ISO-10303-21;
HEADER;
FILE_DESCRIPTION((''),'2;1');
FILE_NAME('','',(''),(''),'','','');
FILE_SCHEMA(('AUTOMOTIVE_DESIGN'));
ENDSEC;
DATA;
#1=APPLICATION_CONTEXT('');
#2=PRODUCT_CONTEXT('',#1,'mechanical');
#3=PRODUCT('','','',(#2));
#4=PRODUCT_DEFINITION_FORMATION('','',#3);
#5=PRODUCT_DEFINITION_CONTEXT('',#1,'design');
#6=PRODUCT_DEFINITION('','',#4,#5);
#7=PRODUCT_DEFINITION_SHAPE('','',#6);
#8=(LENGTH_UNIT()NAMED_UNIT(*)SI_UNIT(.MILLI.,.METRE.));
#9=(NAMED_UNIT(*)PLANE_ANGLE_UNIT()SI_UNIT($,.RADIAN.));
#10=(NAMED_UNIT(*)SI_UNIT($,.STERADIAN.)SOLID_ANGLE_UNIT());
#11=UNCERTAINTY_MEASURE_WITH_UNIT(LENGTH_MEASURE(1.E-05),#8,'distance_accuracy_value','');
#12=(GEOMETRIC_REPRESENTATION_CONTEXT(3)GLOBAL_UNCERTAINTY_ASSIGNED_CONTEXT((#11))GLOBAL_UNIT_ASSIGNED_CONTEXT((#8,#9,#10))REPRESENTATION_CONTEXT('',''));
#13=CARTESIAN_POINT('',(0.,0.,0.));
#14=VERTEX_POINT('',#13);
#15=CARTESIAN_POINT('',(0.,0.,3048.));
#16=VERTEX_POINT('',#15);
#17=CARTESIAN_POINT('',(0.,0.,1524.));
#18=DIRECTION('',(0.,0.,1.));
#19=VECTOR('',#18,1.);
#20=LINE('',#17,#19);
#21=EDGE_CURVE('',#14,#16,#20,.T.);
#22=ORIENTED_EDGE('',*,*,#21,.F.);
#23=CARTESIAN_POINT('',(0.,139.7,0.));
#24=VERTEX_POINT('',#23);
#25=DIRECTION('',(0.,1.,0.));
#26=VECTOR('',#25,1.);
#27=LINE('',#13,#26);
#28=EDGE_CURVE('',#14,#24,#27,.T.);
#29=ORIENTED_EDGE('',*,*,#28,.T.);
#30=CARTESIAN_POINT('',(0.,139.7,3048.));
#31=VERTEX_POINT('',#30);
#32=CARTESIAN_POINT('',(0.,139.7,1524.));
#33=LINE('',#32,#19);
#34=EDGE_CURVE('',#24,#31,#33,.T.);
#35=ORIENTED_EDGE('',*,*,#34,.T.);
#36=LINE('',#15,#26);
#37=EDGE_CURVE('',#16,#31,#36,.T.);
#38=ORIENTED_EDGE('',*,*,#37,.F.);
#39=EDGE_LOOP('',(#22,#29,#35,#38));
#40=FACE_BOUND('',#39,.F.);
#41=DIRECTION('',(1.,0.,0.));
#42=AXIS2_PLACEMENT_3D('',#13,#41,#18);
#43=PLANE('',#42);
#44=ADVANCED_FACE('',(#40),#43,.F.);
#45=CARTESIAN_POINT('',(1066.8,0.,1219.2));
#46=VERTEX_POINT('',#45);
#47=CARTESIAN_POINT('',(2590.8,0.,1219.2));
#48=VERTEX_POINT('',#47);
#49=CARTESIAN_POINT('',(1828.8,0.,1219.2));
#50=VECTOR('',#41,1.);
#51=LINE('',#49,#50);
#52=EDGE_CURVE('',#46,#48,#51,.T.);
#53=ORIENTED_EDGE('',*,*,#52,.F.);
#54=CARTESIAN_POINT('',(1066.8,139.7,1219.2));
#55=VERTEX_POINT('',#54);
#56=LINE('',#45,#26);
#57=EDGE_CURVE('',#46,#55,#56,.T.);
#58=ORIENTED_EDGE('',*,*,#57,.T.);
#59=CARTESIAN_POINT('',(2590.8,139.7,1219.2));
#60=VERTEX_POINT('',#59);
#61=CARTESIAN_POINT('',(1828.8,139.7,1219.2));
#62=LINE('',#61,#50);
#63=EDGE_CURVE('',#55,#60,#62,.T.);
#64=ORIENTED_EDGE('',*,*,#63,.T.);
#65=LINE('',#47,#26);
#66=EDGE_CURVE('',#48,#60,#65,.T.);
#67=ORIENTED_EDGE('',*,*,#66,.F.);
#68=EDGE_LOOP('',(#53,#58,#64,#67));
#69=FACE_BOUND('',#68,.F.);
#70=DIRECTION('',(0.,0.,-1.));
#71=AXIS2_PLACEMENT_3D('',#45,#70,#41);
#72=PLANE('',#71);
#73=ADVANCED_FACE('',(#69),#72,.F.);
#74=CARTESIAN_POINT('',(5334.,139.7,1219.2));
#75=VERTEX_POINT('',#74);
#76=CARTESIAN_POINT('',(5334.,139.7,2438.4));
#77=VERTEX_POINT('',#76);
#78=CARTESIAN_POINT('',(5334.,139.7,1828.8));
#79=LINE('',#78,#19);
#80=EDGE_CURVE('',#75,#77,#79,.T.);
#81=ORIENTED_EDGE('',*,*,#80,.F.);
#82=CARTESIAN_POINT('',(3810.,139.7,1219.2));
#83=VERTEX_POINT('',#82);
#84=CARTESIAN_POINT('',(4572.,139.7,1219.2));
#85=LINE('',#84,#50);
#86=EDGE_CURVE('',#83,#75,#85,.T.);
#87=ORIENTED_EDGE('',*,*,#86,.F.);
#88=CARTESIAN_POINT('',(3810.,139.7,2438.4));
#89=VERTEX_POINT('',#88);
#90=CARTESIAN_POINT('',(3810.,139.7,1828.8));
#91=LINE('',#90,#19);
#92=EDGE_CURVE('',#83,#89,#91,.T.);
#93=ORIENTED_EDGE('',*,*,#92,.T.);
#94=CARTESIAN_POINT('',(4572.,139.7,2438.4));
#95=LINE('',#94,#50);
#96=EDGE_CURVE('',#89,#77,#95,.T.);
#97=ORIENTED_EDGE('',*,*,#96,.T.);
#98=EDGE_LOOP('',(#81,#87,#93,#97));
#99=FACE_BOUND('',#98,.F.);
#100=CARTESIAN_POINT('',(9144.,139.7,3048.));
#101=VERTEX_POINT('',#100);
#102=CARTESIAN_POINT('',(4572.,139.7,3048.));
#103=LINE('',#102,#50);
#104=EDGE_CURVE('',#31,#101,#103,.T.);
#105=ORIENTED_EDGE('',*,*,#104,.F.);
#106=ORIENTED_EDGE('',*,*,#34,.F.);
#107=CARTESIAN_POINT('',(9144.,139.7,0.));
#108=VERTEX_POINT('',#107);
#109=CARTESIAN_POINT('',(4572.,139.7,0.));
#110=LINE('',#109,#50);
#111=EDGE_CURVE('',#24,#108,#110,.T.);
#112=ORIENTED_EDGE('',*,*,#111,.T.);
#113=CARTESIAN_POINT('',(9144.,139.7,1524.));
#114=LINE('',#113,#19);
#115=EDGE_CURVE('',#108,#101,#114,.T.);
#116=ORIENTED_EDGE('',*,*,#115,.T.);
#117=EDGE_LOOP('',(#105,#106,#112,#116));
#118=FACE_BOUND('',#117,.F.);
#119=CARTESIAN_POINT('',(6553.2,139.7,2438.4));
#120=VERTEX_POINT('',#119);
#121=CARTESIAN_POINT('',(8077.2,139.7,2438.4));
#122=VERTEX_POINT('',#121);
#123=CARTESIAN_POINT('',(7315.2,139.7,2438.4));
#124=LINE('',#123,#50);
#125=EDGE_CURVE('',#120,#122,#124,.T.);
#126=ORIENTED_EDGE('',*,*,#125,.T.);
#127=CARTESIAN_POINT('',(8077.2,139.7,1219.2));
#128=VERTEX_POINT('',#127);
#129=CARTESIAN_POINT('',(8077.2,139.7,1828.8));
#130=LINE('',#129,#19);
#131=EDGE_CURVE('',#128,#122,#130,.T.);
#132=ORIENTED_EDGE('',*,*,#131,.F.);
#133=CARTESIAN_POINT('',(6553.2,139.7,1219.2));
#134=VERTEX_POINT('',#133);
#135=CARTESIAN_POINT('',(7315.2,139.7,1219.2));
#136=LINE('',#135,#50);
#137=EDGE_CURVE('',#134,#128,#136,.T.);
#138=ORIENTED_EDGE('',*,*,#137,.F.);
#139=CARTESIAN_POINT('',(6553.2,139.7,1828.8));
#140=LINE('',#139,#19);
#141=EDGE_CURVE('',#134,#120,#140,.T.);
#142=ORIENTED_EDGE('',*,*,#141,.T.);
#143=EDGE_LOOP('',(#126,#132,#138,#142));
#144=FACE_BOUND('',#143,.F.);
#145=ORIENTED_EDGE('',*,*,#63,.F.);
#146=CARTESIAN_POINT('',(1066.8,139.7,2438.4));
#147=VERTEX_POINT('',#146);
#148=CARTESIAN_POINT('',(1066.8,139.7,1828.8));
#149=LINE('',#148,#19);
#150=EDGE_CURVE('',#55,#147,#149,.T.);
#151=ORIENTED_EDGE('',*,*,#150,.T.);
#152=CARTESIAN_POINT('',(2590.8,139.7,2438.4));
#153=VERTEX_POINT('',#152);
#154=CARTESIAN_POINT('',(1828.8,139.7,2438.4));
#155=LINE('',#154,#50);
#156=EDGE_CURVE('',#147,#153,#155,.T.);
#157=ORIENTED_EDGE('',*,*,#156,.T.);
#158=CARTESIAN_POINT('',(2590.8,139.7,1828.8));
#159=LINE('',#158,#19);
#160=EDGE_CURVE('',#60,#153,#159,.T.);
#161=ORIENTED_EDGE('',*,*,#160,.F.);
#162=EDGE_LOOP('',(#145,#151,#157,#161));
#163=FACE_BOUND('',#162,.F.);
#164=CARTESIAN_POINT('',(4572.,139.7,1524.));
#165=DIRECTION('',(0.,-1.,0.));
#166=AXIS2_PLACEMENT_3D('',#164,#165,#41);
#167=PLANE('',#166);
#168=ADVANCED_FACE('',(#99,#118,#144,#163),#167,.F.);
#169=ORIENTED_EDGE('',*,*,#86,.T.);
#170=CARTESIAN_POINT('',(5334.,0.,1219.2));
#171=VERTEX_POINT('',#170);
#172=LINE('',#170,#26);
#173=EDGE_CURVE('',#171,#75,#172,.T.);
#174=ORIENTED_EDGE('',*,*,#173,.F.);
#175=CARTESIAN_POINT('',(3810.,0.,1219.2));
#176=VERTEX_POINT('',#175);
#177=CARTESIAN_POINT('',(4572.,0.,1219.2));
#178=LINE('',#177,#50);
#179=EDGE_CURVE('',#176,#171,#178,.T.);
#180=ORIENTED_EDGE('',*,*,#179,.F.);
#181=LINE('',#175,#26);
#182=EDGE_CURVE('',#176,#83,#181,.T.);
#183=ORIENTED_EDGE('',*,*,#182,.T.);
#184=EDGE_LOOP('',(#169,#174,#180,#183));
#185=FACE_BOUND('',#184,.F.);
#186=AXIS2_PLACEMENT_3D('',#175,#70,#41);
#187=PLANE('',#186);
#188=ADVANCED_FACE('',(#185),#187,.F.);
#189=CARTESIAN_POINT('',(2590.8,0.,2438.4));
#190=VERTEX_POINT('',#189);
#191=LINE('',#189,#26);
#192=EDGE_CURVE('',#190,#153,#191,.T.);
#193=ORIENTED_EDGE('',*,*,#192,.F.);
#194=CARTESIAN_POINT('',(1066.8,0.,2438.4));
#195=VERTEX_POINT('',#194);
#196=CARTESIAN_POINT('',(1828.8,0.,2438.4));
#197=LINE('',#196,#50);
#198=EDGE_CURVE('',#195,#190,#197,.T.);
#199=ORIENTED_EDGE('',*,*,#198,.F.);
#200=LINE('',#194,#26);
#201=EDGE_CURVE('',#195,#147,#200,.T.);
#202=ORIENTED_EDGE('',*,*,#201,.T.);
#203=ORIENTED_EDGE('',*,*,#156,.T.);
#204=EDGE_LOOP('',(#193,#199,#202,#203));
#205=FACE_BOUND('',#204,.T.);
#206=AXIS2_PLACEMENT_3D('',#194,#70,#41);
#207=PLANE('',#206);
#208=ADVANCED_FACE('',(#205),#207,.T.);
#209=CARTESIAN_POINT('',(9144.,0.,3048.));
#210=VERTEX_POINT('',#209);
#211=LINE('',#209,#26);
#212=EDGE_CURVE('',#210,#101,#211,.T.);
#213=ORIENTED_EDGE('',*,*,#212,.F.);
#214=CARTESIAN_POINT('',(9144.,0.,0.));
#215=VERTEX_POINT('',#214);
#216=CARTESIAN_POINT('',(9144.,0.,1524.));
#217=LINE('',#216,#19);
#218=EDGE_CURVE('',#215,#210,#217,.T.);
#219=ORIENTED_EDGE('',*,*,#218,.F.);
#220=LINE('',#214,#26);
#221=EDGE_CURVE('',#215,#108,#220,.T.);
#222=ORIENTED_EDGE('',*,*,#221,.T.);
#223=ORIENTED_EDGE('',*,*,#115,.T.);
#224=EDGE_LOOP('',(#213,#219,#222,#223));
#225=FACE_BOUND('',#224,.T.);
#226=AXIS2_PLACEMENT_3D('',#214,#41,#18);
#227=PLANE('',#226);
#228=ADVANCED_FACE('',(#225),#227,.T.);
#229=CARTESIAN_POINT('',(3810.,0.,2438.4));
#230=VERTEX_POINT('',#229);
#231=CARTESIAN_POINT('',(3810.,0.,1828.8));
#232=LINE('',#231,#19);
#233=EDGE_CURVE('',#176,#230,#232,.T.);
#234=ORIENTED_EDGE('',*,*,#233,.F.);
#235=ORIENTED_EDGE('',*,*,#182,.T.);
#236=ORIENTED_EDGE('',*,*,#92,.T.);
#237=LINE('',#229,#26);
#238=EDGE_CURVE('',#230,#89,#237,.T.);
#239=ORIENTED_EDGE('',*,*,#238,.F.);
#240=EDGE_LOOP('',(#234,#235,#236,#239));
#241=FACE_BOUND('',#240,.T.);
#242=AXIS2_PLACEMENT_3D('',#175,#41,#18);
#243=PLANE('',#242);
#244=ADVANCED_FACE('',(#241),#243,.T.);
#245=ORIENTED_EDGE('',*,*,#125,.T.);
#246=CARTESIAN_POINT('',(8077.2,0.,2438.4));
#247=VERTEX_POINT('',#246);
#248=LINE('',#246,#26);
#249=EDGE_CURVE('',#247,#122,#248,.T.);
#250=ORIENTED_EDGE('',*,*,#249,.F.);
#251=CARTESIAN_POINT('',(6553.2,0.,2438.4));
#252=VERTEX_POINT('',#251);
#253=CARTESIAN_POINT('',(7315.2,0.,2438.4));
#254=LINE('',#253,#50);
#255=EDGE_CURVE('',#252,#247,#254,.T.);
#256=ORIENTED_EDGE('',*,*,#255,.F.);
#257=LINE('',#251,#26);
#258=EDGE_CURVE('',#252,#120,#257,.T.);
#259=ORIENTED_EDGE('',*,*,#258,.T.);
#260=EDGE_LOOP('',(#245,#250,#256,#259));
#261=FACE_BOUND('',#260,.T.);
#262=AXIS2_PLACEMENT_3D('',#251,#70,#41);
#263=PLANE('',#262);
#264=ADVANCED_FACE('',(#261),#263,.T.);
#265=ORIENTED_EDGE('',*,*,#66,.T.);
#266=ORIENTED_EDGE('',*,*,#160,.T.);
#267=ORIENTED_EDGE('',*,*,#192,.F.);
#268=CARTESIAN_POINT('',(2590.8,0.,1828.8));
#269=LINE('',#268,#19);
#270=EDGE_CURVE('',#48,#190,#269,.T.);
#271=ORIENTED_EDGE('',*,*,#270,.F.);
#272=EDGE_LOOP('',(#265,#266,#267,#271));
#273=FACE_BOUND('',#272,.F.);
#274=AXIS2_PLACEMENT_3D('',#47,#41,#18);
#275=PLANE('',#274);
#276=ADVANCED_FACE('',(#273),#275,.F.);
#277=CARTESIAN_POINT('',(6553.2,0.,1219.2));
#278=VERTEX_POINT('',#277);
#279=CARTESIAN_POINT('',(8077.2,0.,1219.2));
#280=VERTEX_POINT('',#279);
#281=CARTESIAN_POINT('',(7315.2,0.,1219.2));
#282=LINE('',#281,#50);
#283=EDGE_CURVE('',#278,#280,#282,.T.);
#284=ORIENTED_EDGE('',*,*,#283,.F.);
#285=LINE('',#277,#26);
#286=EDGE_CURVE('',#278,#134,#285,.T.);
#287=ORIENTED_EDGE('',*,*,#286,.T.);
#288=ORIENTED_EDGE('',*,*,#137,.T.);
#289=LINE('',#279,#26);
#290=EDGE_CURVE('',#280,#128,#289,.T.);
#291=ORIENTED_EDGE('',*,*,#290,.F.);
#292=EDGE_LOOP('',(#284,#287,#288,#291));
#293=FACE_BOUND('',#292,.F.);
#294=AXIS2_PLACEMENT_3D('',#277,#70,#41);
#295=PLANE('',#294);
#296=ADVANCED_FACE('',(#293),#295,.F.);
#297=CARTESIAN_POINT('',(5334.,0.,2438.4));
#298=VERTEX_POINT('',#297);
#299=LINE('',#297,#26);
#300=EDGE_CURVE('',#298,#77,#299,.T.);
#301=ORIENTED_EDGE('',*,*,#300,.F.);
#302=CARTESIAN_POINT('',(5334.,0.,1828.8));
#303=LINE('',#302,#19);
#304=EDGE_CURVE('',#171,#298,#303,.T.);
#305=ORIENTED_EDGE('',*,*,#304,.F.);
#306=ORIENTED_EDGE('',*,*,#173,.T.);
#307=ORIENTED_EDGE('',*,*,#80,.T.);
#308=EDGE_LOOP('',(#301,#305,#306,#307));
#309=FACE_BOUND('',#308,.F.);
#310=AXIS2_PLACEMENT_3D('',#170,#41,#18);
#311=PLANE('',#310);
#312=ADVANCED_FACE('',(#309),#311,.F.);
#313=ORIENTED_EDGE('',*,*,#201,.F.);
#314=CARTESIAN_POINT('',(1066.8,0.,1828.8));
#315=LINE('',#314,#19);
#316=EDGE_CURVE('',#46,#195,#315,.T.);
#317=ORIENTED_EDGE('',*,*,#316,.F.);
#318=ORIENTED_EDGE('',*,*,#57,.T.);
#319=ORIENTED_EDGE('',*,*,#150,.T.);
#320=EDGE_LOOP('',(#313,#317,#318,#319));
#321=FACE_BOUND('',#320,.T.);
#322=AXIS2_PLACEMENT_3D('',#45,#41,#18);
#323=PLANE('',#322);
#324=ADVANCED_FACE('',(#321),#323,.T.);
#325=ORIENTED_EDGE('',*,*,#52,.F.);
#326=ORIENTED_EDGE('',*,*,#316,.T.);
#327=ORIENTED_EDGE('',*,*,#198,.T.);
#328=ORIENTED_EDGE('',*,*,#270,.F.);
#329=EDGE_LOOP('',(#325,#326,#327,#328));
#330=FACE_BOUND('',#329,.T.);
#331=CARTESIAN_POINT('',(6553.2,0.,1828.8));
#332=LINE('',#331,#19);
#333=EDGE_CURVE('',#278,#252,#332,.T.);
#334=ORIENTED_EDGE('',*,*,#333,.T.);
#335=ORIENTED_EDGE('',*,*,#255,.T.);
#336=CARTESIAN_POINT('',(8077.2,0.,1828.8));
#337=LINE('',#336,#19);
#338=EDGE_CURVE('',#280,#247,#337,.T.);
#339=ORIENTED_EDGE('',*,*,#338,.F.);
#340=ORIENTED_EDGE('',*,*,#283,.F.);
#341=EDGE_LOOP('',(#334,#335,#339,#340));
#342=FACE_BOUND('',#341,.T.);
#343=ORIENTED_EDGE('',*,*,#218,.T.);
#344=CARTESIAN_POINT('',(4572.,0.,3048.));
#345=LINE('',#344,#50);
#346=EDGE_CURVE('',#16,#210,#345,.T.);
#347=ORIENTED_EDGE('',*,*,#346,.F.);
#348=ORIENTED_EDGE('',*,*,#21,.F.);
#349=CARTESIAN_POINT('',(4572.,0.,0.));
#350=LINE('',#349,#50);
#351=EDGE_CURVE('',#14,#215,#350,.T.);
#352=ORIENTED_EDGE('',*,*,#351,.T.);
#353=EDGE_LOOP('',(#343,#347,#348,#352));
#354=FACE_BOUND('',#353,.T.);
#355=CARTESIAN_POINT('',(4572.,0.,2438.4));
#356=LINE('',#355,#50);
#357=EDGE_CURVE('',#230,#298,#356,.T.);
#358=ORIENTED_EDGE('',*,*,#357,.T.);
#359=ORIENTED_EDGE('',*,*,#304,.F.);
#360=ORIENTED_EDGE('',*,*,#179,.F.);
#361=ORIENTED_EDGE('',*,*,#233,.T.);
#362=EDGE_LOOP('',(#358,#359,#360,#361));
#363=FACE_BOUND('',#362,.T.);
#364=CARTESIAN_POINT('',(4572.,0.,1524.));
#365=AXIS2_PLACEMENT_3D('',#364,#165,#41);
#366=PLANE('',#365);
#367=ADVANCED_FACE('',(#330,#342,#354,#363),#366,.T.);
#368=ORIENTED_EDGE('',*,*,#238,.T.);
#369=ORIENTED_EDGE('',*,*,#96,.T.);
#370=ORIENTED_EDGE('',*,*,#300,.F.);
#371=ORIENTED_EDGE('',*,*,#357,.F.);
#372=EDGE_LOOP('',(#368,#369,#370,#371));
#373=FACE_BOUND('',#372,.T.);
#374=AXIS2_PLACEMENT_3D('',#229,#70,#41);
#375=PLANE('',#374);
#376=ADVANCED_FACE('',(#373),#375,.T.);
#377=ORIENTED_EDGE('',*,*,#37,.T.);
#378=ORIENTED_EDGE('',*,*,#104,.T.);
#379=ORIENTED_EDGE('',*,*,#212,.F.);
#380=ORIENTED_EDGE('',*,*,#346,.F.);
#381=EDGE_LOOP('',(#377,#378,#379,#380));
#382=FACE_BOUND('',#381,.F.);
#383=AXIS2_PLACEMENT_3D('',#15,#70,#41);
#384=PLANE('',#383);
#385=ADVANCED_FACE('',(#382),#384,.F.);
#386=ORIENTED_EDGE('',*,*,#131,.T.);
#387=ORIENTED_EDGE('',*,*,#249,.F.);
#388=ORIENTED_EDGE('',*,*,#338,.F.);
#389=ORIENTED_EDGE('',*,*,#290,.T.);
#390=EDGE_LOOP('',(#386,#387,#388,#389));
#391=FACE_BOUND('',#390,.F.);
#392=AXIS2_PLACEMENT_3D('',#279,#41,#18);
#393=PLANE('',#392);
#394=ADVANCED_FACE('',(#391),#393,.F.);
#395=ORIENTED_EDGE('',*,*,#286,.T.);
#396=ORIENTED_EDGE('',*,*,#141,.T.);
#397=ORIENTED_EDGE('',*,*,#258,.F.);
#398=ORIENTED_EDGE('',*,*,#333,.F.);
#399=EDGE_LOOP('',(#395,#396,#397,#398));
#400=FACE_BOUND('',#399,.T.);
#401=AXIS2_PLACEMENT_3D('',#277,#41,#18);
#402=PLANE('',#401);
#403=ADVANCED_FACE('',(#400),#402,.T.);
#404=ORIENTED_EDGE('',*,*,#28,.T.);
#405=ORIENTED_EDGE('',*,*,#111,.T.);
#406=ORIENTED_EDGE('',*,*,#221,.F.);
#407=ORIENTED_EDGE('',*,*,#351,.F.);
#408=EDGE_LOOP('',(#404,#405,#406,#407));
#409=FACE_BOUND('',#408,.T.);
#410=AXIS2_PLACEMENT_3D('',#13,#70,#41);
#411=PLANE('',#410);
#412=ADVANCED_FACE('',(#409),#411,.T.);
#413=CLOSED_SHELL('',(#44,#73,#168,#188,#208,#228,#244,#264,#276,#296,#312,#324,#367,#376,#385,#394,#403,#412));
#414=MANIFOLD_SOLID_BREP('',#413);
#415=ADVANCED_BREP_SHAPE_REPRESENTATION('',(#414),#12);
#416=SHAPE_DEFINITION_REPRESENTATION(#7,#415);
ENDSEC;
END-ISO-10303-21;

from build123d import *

# Parameters (mm, degrees)
F0_W     = 9144
F0_H     = 3048
F0_W_2   = 1524
F0_H_2   = 1219.2
F1_DEPTH = 139.7


with BuildPart() as f1:
    # F0 (on Front) → F1 (new body)
    with BuildSketch(Plane.XZ):
        with Locations((4572, 1524)):
            Rectangle(F0_W, F0_H)
        with Locations((1828.8, 1828.8)):
            Rectangle(F0_W_2, F0_H_2, mode=Mode.SUBTRACT)
        with Locations((4572, 1828.8)):
            Rectangle(F0_W_2, F0_H_2, mode=Mode.SUBTRACT)
        with Locations((7315.2, 1828.8)):
            Rectangle(F0_W_2, F0_H_2, mode=Mode.SUBTRACT)
    extrude(amount=-F1_DEPTH)


solid = f1.part
